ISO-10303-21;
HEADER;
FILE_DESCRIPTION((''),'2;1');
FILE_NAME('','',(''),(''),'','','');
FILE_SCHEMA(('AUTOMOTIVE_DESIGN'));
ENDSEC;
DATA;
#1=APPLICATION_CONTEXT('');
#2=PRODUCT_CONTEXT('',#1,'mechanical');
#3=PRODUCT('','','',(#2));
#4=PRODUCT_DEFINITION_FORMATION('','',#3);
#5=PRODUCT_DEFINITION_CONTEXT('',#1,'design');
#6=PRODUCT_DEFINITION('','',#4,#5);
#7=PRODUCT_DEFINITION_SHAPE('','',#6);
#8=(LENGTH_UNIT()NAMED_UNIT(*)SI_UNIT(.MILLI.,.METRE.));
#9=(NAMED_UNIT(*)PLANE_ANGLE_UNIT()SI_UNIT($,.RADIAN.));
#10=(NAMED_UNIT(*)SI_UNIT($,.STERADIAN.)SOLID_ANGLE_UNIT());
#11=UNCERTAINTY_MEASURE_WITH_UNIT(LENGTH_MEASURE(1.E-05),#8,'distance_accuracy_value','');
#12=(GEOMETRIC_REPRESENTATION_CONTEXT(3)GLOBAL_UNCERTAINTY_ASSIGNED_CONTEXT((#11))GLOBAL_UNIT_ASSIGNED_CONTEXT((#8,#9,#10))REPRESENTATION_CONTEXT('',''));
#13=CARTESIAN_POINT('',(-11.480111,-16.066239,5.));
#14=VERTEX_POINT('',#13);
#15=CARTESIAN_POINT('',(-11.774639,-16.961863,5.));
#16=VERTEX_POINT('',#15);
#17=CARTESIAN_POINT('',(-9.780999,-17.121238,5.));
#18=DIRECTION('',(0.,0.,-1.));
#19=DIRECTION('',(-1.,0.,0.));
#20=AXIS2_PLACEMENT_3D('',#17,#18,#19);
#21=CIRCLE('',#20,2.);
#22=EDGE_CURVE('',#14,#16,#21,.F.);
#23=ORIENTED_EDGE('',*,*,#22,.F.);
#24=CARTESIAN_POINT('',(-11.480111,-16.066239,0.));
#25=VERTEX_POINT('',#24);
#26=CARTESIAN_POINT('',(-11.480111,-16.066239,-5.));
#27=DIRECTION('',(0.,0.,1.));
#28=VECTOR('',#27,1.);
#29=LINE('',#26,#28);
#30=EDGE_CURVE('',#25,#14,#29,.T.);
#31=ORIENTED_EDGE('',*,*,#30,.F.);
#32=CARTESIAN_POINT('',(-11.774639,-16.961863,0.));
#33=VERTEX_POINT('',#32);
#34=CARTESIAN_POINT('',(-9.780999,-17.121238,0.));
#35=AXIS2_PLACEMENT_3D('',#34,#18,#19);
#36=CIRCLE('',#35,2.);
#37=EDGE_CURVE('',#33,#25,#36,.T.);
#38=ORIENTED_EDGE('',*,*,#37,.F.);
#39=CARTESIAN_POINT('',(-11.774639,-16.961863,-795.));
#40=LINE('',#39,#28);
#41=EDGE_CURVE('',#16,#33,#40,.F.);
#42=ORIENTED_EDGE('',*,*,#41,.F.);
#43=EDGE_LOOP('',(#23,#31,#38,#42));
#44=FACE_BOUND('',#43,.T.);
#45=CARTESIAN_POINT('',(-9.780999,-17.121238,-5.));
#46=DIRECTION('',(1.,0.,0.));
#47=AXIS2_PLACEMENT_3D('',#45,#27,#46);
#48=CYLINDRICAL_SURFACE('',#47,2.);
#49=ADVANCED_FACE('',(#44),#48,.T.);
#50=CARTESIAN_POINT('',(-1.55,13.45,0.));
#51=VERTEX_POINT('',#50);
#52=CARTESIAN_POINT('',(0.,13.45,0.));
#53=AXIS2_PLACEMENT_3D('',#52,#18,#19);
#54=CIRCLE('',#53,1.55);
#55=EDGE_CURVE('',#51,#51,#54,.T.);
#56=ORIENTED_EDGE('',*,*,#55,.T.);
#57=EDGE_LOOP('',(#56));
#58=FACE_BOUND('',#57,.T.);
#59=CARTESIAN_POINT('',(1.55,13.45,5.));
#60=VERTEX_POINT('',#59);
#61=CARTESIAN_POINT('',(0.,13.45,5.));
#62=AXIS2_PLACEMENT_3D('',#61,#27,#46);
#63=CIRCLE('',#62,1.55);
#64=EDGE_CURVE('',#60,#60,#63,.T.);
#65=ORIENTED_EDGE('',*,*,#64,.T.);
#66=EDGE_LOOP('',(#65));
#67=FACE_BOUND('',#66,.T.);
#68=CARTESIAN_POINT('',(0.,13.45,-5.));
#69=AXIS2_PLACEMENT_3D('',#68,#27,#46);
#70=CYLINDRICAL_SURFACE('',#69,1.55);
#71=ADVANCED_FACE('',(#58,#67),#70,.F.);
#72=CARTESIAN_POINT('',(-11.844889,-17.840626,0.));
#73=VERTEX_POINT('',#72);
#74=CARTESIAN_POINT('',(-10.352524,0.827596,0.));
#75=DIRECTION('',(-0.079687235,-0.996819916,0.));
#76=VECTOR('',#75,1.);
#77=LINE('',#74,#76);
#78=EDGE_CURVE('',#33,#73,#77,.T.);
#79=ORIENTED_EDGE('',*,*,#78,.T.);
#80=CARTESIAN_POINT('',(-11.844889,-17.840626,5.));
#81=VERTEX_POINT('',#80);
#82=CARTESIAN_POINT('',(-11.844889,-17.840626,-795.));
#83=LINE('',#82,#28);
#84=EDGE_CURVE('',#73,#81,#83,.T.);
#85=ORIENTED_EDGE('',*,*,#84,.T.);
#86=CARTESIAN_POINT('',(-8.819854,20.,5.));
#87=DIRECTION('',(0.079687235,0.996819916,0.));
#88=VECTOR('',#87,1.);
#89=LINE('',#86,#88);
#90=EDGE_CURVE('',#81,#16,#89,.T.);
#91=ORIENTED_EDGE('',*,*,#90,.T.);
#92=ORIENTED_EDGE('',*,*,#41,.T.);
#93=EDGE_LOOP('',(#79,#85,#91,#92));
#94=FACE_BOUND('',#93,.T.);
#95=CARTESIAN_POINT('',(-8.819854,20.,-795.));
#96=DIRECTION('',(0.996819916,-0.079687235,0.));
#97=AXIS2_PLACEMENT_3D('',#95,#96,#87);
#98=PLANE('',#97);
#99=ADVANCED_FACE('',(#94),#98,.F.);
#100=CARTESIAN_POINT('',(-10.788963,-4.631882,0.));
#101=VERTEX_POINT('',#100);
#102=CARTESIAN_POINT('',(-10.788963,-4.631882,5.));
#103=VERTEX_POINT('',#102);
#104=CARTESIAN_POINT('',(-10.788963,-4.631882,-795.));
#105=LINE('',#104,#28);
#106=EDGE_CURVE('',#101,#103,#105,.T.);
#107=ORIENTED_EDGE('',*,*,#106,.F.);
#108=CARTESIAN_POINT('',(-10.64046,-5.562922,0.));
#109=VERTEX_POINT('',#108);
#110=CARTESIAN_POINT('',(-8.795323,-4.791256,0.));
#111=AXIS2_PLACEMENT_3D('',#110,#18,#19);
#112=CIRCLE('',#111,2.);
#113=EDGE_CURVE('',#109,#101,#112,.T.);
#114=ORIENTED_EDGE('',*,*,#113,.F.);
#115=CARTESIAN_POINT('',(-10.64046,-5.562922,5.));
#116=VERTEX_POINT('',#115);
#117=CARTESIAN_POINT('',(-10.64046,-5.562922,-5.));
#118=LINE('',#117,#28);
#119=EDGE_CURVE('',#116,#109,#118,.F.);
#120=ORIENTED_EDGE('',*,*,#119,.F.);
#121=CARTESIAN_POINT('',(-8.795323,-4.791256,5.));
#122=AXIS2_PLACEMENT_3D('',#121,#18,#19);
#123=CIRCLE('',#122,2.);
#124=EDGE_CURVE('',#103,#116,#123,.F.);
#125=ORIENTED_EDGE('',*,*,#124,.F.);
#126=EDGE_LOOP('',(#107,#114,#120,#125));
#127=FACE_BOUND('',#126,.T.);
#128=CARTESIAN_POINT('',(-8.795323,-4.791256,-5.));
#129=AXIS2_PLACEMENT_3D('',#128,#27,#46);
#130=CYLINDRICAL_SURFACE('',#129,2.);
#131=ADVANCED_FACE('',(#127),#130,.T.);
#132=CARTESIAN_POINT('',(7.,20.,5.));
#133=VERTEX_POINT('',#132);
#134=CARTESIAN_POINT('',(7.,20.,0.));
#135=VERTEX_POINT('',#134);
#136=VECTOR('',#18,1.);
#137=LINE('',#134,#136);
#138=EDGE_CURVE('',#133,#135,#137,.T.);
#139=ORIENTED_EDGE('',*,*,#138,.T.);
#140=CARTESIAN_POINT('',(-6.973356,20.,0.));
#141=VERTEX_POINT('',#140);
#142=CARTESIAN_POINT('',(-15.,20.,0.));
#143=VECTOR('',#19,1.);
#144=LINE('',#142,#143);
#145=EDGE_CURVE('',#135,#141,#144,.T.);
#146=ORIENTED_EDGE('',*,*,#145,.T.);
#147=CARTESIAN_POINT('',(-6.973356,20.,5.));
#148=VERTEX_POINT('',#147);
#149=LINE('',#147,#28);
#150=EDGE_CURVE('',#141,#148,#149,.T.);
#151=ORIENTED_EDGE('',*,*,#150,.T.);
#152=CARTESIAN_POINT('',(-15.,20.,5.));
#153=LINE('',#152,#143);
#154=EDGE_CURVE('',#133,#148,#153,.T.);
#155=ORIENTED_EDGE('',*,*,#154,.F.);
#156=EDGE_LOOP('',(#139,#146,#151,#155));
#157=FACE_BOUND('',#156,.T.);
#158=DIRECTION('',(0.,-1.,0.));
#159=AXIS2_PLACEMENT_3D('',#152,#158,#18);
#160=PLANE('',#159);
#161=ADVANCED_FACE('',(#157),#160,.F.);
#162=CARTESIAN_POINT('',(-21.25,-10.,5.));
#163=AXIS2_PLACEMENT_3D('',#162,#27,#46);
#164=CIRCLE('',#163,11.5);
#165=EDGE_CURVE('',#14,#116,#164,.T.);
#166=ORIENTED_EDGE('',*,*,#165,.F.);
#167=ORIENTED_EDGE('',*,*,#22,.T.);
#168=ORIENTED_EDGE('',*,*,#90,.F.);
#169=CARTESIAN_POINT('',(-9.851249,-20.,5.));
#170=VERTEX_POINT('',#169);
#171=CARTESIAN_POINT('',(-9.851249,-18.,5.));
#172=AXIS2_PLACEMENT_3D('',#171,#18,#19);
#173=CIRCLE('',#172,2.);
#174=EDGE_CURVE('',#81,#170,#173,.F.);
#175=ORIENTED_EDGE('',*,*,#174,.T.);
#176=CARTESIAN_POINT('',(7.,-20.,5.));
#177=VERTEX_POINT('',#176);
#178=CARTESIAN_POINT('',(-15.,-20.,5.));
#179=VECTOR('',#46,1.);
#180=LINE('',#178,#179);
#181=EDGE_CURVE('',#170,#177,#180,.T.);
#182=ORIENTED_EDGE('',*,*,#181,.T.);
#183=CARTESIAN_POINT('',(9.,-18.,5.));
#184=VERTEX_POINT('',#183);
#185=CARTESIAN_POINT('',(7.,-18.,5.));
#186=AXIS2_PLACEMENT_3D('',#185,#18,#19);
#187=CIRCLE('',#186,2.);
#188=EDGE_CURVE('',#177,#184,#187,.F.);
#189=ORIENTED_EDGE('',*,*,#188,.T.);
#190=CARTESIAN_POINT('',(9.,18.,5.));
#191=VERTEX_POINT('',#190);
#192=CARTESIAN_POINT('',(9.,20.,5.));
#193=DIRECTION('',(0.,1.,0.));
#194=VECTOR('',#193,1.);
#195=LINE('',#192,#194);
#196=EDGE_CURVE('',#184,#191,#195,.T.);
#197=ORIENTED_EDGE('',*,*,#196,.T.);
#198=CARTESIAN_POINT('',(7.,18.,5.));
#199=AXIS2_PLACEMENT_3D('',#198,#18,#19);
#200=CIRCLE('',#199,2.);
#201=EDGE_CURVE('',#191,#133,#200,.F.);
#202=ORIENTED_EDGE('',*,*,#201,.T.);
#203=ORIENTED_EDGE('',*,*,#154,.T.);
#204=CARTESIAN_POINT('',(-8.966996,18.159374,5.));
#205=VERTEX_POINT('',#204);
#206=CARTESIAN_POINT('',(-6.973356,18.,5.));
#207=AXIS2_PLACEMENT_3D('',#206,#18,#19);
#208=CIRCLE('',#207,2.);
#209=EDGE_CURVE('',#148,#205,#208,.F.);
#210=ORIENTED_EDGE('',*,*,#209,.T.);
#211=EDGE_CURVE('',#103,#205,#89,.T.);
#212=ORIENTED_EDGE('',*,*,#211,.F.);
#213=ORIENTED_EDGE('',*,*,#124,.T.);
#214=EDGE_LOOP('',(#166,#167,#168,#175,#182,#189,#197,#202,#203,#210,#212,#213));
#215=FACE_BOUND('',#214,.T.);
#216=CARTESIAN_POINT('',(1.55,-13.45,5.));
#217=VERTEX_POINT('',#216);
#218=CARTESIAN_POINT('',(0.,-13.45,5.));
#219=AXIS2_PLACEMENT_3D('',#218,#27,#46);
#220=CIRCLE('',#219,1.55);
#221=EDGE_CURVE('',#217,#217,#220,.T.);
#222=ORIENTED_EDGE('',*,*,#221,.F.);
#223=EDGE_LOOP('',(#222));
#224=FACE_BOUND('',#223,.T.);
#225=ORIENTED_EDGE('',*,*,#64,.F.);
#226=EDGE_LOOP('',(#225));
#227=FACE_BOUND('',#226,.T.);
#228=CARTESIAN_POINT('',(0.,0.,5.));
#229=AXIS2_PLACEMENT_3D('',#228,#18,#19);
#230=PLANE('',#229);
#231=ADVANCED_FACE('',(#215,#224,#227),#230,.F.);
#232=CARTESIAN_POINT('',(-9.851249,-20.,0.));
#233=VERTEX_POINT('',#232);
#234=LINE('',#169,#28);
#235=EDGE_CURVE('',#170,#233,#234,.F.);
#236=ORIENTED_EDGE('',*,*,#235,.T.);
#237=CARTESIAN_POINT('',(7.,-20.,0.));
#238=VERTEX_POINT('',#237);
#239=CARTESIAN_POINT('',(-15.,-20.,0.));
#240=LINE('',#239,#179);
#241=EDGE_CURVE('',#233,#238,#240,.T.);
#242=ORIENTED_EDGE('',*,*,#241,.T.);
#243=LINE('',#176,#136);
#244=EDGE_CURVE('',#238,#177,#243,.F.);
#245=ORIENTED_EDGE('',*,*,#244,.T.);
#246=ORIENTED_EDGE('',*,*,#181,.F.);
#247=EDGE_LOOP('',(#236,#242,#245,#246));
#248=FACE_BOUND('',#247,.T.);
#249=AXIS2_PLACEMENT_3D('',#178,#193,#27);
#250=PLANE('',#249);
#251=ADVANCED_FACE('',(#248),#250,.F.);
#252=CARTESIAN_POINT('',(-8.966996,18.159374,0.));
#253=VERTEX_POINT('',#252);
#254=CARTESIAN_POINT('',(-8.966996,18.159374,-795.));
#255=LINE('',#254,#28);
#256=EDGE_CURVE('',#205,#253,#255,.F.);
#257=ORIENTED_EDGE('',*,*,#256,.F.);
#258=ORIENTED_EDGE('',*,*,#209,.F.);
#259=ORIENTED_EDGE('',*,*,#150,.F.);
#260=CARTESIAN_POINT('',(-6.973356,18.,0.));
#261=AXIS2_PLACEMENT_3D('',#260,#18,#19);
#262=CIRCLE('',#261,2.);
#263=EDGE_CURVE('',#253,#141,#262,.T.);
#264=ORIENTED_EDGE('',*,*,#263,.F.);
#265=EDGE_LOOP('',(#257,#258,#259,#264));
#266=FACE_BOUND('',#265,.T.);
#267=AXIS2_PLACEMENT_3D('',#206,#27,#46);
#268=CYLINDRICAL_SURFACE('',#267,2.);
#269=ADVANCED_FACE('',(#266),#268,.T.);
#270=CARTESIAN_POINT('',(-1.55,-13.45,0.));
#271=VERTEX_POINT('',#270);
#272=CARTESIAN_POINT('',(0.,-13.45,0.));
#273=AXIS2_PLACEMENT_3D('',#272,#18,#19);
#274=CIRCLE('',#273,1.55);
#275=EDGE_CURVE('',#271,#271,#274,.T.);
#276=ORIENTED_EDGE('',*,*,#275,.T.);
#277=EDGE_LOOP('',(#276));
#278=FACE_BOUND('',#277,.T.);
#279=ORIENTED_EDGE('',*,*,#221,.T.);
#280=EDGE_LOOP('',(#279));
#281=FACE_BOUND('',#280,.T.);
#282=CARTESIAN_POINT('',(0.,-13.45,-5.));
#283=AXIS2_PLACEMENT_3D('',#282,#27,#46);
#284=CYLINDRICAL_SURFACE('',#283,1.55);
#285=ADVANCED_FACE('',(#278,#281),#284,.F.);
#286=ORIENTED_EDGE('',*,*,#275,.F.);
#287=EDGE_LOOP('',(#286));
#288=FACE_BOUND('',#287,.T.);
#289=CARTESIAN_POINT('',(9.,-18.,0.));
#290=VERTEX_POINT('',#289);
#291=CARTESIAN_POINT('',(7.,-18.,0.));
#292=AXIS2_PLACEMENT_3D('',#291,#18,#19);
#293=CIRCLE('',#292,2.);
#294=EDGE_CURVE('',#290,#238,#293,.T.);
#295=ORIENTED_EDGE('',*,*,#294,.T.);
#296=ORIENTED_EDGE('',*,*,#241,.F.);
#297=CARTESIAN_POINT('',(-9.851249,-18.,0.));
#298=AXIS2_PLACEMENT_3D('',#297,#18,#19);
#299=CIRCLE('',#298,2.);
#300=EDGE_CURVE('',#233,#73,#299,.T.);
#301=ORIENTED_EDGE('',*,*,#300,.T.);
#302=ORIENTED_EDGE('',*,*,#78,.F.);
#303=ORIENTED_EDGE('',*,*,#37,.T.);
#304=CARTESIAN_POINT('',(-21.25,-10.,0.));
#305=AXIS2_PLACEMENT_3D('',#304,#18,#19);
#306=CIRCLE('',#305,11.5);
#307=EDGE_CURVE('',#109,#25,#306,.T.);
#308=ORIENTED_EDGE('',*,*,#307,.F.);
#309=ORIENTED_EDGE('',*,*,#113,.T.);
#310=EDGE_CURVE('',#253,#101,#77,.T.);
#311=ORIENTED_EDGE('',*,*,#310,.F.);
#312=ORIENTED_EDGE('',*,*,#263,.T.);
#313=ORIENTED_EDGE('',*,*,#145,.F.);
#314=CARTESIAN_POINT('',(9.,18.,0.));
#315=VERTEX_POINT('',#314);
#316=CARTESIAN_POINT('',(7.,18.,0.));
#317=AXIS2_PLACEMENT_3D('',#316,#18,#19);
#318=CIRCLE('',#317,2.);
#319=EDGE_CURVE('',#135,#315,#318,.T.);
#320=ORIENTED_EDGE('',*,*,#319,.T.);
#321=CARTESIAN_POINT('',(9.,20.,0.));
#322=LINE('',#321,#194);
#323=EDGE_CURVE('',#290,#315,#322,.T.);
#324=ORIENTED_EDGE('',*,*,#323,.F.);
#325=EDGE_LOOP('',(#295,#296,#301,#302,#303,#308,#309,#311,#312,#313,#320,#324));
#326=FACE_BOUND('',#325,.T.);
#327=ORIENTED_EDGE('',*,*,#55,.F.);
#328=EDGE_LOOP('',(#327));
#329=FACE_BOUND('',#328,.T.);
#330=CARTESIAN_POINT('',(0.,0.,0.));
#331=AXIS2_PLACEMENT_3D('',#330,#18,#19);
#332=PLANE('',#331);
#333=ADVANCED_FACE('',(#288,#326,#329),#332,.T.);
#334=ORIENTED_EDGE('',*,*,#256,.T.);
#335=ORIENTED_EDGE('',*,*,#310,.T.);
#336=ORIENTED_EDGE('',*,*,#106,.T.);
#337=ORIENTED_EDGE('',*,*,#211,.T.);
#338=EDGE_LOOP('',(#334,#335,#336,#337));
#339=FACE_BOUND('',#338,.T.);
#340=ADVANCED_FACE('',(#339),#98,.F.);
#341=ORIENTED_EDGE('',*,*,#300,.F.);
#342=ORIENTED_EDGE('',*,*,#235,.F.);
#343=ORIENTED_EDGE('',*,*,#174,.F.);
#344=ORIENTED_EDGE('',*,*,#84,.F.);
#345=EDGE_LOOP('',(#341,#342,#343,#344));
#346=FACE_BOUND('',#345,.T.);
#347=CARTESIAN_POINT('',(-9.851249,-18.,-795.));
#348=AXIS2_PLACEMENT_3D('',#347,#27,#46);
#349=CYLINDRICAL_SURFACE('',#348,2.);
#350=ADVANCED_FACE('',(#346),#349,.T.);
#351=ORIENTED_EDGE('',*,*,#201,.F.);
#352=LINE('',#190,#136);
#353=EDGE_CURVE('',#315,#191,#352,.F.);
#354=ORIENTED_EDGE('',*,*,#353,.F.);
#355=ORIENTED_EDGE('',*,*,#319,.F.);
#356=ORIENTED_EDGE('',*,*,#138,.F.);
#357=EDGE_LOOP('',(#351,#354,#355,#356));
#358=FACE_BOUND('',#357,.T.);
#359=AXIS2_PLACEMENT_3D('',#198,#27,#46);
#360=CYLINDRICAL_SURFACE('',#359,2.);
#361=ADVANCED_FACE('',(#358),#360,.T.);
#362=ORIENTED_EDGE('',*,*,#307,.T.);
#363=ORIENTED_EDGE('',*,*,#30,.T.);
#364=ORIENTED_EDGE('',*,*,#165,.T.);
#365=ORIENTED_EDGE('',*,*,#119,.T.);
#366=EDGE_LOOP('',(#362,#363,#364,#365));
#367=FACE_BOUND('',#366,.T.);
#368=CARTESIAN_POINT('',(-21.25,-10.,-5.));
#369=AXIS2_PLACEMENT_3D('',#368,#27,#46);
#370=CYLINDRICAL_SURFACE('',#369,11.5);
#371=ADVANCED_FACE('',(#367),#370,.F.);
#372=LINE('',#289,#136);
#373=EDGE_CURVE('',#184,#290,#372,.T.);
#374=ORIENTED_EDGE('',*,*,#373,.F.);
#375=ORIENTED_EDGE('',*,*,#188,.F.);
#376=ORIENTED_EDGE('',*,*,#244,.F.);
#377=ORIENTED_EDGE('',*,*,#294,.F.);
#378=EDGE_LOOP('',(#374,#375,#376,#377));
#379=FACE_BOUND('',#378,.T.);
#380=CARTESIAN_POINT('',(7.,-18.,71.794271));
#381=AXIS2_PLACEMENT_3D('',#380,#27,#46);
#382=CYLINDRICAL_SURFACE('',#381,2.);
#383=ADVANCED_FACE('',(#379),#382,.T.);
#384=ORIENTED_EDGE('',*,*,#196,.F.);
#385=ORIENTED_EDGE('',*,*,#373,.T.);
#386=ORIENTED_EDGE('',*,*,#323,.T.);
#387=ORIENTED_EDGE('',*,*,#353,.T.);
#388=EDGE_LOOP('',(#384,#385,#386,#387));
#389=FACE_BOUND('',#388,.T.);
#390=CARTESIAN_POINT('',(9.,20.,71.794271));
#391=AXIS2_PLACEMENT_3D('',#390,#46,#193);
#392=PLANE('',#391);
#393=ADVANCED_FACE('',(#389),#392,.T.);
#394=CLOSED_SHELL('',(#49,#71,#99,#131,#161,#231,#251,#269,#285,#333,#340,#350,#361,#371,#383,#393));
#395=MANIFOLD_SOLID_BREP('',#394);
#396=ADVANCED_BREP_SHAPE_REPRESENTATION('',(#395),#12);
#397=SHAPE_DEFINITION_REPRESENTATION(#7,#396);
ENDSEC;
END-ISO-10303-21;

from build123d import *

# Parameters (mm, degrees)
SKETCH_1_W               = 30
SKETCH_1_H               = 40
EXTRUDE_1_DEPTH          = 5
CUT_EXTRUDE_1_DEPTH      = 800
SKETCH_3_R               = 1.55
CUT_EXTRUDE_2_DEPTH      = 10
FILLET_1_R               = 2
SKETCH_4_R               = 11.5
CUT_EXTRUDE_3_DEPTH      = 10
FILLET_2_R               = 2
CUT_EXTRUDE_5_DEPTH      = 26.495097568
CUT_EXTRUDE_5_DEPTH_BACK = 5
FILLET_4_R               = 2


with BuildPart() as part:
    # 草图1 → 凸台-拉伸1 (new body)
    with BuildSketch(Plane.XY):
        Rectangle(SKETCH_1_W, SKETCH_1_H)
    extrude(amount=EXTRUDE_1_DEPTH)

    # 草图2 → 切除-拉伸1 (cut)
    with BuildSketch(Plane.XY.offset(5)):
        Polygon((-8.819854033, 20), (-12.017512264, -20), (-15, -20), (-15, 20), align=None)
    extrude(amount=-CUT_EXTRUDE_1_DEPTH, mode=Mode.SUBTRACT)

    # 草图3 → 切除-拉伸2 (cut)
    with BuildSketch(Plane.XY.offset(5)):
        with Locations((0, 13.45)):
            Circle(SKETCH_3_R)
        with Locations((0, -13.45)):
            Circle(SKETCH_3_R)
    extrude(amount=-CUT_EXTRUDE_2_DEPTH, mode=Mode.SUBTRACT)

    # 圆角1
    fillet_1_edges = [part.edges().sort_by_distance(p)[0] for p in [
        (-12.017512264, -20, 2.5),
        (-8.819854033, 20, 2.5),
        (15, -20, 2.5),
        (15, 20, 2.5),
    ]]
    fillet(fillet_1_edges, radius=FILLET_1_R)

    # 草图4 → 切除-拉伸3 (cut)
    with BuildSketch(Plane.XY.offset(5)):
        with Locations((-21.25, -10)):
            Circle(SKETCH_4_R)
    extrude(amount=-CUT_EXTRUDE_3_DEPTH, mode=Mode.SUBTRACT)

    # 圆角2
    fillet_2_edges = [part.edges().sort_by_distance(p)[0] for p in [
        (-11.734337347, -16.457721291, 2.5),
        (-10.829264337, -5.136023413, 2.5),
    ]]
    fillet(fillet_2_edges, radius=FILLET_2_R)

    # 草图6 → 切除-拉伸5 (cut, two sides: drawn at the far end of the back side and taken through both)
    with BuildSketch(Plane.XY.offset(5).offset(-CUT_EXTRUDE_5_DEPTH_BACK)):
        Polygon((9, 120.21695141), (9, 20), (9, -20), (9, -120.21695141), (209.433902819, -120.21695141), (209.433902819, 120.21695141), align=None)
    extrude(amount=CUT_EXTRUDE_5_DEPTH + CUT_EXTRUDE_5_DEPTH_BACK, mode=Mode.SUBTRACT)

    # 圆角4
    fillet_4_edges = [part.edges().sort_by_distance(p)[0] for p in [
        (9, 20, 2.5),
        (9, -20, 2.5),
    ]]
    fillet(fillet_4_edges, radius=FILLET_4_R)


solid = part.part
